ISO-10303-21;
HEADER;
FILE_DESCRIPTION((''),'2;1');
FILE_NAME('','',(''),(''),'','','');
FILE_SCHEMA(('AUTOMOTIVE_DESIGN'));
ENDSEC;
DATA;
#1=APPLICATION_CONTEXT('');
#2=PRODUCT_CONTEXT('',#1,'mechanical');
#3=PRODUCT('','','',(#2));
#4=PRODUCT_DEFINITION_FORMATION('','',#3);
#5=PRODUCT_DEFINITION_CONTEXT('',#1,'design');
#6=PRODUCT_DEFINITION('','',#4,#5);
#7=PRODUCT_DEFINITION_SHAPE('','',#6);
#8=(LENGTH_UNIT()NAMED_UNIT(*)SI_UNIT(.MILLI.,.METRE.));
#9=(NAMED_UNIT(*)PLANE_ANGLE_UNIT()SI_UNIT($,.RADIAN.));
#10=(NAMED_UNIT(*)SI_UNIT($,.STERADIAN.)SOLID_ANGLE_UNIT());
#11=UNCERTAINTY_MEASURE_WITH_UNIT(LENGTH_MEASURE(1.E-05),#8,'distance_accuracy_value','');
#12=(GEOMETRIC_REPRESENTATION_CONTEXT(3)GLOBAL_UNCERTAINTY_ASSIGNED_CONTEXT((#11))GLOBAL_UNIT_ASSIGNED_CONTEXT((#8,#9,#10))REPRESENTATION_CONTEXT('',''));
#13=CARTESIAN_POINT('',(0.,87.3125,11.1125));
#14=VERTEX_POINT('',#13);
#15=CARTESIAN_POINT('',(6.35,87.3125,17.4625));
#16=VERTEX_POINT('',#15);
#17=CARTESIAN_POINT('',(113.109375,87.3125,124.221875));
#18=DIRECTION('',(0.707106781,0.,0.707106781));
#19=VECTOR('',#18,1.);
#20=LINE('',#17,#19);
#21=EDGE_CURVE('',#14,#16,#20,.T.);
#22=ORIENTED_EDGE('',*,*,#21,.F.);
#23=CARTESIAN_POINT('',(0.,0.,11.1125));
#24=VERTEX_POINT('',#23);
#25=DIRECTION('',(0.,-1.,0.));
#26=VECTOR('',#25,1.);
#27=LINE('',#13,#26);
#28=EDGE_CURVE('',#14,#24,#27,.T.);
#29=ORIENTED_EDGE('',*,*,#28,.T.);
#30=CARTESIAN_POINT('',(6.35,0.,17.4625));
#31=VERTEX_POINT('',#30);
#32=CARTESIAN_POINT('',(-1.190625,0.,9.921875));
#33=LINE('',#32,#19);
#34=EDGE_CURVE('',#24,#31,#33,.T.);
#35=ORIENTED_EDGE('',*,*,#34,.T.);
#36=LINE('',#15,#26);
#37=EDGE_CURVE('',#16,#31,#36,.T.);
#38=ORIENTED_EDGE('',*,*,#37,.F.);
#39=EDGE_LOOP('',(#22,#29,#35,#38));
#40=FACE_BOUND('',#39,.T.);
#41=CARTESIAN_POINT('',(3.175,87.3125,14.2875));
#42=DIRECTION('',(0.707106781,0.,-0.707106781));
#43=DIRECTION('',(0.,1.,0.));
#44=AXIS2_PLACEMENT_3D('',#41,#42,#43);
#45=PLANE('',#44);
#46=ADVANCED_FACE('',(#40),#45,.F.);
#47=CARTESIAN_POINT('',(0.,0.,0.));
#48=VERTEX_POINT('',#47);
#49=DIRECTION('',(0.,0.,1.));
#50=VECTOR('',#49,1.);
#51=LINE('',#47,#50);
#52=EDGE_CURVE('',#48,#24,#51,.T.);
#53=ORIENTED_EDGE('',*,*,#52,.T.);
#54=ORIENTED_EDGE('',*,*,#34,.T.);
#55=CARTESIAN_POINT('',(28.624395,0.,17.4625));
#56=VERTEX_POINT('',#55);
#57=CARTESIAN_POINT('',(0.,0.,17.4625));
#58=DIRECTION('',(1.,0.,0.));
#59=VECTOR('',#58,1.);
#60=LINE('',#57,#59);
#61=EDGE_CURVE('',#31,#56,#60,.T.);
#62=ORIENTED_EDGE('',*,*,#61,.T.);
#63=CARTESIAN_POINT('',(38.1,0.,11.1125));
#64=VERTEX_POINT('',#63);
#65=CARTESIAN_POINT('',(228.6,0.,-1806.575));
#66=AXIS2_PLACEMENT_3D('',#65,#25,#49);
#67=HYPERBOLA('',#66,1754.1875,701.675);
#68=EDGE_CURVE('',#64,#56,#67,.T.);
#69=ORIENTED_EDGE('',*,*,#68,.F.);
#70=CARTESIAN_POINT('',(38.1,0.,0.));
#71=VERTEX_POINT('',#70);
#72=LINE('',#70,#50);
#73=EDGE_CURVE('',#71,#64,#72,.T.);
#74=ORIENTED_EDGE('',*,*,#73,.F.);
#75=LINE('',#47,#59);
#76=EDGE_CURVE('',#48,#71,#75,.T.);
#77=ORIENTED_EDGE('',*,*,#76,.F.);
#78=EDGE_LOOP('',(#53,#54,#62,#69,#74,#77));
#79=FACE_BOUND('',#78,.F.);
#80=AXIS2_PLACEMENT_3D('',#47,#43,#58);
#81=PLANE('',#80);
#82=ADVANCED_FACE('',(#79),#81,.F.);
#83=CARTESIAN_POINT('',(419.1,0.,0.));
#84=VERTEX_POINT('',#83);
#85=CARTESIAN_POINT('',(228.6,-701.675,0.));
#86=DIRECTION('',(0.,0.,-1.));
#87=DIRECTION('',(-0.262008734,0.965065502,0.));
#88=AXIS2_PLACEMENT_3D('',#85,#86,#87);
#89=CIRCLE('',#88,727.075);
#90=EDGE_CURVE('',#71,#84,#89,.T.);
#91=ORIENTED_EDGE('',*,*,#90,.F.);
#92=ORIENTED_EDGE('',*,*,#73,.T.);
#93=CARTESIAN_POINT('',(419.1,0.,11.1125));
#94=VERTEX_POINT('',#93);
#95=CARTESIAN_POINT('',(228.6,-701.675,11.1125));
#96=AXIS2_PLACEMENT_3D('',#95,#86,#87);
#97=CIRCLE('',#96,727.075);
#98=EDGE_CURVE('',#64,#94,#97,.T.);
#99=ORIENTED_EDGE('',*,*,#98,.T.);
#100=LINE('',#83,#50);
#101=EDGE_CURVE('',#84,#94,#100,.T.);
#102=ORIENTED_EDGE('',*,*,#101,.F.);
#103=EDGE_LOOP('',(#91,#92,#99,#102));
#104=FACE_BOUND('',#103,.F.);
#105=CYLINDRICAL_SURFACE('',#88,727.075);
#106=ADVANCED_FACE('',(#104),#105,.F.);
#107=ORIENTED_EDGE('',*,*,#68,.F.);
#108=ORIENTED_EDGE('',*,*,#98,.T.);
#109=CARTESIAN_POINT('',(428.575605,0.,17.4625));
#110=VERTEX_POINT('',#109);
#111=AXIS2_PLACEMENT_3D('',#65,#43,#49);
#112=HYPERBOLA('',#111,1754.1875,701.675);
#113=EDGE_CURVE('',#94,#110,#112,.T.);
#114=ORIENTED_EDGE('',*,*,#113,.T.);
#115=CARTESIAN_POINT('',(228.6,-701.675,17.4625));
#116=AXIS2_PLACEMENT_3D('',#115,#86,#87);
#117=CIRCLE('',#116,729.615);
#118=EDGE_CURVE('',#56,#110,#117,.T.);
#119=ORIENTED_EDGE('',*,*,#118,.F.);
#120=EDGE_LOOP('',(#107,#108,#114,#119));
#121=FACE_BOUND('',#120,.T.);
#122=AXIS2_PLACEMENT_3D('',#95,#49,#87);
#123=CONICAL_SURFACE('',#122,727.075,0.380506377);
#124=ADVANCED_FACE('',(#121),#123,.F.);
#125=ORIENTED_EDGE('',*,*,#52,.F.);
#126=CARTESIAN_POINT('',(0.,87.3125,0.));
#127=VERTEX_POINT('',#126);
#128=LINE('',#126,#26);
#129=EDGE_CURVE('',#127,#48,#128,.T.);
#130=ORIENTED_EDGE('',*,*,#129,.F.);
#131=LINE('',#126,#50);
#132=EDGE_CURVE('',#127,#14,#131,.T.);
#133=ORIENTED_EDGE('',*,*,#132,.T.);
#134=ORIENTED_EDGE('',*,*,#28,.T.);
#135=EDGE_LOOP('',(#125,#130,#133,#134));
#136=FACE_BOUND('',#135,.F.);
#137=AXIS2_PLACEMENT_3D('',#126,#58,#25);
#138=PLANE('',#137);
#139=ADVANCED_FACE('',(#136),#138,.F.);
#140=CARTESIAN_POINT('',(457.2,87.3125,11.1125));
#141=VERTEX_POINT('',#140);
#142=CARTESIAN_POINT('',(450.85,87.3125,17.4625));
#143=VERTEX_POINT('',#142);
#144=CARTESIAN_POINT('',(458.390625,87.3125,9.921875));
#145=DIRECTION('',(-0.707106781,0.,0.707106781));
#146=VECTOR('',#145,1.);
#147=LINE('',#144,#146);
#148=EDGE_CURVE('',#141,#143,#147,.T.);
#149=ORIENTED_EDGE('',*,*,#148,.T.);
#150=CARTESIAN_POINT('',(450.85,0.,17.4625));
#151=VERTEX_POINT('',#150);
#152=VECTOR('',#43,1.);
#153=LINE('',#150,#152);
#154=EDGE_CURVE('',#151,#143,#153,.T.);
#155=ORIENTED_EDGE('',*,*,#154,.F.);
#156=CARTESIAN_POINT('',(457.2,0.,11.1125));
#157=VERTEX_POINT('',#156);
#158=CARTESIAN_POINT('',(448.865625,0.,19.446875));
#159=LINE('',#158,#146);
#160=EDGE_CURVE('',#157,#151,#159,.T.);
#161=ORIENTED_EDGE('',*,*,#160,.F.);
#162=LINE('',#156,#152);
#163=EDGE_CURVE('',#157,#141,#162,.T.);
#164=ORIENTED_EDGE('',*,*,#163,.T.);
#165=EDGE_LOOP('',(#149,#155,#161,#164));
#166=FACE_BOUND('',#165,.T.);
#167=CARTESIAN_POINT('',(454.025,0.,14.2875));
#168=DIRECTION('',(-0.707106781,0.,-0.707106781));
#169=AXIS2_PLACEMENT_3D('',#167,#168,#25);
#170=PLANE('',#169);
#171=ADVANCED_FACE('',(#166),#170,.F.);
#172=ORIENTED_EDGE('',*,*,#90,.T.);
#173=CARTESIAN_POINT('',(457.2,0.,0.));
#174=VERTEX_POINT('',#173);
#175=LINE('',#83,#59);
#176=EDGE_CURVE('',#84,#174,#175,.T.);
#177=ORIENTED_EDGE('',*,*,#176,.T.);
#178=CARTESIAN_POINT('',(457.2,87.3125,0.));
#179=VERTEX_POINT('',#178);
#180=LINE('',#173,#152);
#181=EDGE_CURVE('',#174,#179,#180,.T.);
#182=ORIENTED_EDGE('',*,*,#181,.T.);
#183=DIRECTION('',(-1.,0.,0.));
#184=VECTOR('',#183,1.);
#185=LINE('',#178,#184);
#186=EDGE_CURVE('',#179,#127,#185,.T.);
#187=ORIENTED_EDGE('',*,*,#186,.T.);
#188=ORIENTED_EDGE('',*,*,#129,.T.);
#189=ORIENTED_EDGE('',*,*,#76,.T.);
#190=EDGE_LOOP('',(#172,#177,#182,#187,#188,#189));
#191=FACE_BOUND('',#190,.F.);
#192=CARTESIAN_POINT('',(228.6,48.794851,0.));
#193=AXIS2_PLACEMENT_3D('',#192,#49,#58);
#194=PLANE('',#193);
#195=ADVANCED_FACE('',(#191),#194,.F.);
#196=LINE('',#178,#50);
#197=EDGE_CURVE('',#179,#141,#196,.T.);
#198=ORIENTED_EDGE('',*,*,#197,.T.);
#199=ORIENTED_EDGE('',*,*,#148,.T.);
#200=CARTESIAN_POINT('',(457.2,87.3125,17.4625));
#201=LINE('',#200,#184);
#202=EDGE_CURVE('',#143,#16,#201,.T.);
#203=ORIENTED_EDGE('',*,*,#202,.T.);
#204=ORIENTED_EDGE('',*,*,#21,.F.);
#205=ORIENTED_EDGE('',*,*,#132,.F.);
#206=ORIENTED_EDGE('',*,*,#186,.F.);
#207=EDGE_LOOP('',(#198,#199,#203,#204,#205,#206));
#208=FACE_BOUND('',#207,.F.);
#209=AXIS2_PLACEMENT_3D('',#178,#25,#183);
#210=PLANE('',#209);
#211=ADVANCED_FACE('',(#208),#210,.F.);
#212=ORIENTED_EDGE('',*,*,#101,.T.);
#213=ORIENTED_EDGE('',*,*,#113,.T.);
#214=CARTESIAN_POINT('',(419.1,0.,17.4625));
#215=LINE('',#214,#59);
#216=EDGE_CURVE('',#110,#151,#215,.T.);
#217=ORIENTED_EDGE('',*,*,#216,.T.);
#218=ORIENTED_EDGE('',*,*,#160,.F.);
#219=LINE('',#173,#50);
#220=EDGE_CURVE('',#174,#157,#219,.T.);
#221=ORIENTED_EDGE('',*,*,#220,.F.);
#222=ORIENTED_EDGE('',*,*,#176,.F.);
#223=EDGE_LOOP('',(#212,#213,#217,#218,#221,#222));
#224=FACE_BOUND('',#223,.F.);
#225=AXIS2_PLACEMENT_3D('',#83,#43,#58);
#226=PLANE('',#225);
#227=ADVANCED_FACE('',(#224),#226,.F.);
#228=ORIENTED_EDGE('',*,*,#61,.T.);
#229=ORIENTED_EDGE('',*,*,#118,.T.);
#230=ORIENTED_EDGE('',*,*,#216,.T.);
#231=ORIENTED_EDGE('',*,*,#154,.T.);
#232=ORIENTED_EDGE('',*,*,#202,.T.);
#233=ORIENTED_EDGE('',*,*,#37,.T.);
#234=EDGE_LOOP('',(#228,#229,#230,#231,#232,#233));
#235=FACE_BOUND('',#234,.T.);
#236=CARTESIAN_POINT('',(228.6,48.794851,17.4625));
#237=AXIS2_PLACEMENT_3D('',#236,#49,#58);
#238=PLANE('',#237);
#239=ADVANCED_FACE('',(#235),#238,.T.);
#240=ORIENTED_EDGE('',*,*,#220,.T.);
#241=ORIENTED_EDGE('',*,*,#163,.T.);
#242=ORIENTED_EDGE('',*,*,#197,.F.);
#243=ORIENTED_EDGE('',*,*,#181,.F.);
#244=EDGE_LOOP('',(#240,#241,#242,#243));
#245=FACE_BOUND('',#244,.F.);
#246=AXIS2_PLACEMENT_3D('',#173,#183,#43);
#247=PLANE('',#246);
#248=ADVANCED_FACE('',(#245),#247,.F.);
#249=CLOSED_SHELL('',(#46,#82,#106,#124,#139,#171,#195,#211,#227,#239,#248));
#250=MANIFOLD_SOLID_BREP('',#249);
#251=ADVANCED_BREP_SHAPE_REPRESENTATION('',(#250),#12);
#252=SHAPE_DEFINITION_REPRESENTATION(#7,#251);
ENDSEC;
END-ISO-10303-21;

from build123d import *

# Parameters (mm, degrees)
F1_DEPTH = 17.4625
F2_SIZE  = 6.35
F3_SIZE2 = 2.54
F3_SIZE  = 6.35


with BuildPart() as f1:
    # F0 (on Top) → F1 (new body)
    with BuildSketch(Plane.XY):
        with BuildLine():
            Line((0, 87.3125), (0, 0))
            Line((0, 0), (38.1, 0))
            ThreePointArc((38.1, 0), (228.6, 25.4), (419.1, 0))
            Line((419.1, 0), (457.2, 0))
            Line((457.2, 0), (457.2, 87.3125))
            Line((457.2, 87.3125), (0, 87.3125))
        make_face()
    extrude(amount=F1_DEPTH)

    # F2
    f2_edges = [f1.edges().sort_by_distance(p)[0] for p in [
        (0, 43.65625, 17.4625),
        (457.2, 43.65625, 17.4625),
    ]]
    chamfer(f2_edges, length=F2_SIZE)

    # F3
    f3_edges = [f1.edges().sort_by_distance(p)[0] for p in [
        (228.6, 25.4, 17.4625),
    ]]
    f3_side = f1.faces().sort_by_distance((228.6, 25.4, 8.73125))[0]
    chamfer(f3_edges, length=F3_SIZE, length2=F3_SIZE2, reference=f3_side)


solid = f1.part
